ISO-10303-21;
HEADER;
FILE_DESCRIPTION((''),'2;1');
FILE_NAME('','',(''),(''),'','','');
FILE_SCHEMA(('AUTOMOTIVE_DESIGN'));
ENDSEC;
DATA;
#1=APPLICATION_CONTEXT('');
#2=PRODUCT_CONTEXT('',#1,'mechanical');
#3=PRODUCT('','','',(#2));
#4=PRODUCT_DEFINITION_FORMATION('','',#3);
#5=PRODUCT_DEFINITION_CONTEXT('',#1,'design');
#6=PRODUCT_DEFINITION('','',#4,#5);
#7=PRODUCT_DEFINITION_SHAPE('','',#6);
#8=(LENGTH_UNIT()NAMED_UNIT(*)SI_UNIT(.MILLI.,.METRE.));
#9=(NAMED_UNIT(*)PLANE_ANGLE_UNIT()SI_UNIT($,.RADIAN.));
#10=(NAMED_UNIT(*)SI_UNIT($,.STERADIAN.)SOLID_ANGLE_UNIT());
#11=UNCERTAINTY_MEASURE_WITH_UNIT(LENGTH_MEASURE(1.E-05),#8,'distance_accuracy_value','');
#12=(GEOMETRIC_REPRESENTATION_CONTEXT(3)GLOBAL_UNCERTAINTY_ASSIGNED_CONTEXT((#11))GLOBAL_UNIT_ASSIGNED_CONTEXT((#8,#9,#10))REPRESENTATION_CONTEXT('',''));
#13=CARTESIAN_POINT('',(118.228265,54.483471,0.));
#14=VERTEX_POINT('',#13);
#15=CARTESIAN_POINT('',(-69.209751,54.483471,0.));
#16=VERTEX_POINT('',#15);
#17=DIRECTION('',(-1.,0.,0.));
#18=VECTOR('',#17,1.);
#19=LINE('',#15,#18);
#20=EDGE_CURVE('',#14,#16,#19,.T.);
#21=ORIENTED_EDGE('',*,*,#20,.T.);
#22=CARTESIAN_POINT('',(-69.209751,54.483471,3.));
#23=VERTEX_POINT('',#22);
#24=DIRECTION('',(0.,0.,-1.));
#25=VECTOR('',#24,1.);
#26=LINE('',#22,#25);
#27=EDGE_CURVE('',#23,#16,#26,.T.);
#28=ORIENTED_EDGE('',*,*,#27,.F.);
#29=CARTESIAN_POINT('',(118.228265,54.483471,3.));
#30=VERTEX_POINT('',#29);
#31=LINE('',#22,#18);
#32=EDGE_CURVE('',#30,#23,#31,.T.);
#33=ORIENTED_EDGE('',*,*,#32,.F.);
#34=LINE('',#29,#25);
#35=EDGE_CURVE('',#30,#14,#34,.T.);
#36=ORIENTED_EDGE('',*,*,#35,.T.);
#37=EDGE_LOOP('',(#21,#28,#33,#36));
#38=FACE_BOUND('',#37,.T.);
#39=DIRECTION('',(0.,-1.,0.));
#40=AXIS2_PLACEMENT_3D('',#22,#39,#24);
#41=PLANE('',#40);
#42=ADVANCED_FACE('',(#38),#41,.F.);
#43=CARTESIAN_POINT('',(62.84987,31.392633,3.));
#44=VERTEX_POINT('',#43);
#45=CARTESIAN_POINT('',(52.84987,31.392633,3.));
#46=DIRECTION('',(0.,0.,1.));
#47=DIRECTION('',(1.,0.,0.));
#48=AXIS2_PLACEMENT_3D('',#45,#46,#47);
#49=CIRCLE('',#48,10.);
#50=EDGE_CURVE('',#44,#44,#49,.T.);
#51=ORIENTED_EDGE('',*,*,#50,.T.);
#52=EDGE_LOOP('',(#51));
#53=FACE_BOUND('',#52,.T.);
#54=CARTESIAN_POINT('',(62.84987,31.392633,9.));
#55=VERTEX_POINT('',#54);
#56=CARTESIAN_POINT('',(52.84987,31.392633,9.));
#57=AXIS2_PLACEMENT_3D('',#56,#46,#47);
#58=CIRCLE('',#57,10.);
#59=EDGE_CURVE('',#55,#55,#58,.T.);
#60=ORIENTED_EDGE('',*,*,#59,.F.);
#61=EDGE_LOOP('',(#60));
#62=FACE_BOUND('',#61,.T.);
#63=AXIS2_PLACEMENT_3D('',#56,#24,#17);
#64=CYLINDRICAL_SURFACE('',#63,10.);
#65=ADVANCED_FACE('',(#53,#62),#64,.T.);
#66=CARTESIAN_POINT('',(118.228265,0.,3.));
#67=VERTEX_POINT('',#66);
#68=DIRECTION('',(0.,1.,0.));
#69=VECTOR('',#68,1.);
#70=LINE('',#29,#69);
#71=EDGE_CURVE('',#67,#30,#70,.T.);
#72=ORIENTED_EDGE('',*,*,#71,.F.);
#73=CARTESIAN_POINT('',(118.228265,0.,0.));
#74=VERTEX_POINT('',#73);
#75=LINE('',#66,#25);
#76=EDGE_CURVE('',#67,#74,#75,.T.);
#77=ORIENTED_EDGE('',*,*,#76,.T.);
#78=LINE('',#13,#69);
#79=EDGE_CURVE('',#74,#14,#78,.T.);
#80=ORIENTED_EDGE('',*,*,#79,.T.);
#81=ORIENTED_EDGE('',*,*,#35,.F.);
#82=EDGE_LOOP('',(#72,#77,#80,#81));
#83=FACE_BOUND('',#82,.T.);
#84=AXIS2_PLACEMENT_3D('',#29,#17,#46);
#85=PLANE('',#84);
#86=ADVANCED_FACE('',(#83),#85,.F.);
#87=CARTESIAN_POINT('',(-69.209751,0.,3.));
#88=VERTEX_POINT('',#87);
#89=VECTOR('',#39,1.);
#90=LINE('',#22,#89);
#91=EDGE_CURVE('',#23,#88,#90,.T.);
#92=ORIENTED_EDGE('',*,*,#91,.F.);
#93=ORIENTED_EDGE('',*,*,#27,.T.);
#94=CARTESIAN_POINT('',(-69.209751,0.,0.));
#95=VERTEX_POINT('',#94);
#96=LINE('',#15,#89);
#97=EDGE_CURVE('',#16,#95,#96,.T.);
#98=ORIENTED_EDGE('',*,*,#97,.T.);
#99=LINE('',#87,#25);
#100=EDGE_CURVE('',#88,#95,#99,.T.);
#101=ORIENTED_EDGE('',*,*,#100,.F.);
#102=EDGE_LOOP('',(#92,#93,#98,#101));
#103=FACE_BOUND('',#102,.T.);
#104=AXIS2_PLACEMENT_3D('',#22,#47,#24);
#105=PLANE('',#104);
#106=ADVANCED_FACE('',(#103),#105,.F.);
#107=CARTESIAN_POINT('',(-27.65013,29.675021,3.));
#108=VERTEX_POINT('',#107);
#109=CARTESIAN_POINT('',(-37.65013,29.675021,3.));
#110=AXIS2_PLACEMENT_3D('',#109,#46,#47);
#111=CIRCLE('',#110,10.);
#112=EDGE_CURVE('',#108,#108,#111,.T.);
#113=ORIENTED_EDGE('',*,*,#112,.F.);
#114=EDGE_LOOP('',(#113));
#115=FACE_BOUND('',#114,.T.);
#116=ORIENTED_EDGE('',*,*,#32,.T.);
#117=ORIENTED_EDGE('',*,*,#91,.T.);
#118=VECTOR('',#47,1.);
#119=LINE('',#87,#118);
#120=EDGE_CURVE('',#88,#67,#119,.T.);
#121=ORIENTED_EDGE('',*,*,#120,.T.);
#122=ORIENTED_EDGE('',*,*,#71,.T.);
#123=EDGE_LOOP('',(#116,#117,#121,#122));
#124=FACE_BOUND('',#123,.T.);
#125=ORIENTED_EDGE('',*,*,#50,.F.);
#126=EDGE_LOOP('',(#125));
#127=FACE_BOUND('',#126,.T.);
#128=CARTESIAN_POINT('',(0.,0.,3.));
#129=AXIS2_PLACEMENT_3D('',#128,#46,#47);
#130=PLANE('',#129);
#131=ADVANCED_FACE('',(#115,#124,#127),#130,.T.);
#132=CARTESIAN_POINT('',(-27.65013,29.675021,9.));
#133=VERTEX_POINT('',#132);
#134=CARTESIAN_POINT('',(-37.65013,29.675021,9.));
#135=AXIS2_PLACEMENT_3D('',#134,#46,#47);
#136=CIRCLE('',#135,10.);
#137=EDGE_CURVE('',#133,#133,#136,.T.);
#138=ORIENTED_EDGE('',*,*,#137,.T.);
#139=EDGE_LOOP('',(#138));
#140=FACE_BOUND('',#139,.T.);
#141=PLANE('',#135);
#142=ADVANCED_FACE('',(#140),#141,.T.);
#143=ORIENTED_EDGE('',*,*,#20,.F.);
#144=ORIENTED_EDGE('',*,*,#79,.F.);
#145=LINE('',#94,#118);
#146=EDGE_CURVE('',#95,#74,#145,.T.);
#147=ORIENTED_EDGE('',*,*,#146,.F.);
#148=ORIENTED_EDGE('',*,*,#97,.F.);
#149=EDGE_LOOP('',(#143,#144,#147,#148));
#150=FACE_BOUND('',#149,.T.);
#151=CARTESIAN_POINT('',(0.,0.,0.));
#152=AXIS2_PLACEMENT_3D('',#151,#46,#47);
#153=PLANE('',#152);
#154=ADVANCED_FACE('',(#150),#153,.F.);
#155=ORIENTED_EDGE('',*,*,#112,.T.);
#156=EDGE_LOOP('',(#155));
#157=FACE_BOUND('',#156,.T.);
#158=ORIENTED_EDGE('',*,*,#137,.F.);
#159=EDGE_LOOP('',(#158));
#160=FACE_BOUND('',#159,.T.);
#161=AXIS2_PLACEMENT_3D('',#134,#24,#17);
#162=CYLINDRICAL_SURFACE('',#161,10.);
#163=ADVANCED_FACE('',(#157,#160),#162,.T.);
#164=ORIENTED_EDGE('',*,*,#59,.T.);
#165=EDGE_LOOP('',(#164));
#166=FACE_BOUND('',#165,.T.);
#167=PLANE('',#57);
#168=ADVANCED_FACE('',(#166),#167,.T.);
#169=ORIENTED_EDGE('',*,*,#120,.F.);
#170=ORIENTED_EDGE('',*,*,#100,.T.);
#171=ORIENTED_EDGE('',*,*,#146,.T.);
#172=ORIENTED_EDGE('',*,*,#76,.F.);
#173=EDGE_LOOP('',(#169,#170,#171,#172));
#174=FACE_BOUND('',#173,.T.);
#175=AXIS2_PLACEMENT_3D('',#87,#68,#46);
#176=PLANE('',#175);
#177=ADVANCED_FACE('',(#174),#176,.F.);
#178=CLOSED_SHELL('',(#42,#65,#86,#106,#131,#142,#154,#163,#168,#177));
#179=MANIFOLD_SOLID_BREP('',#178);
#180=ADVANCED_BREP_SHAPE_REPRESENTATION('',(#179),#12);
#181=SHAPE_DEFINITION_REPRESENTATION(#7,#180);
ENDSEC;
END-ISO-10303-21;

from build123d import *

# Parameters (mm, degrees)
SKETCH1_W           = 187.438016529
SKETCH1_H           = 54.483471074
BOSS_EXTRUDE1_DEPTH = 3
SKETCH2_R           = 10
BOSS_EXTRUDE2_DEPTH = 6


with BuildPart() as part:
    # Sketch1 → Boss-Extrude1 (new body)
    with BuildSketch(Plane.XY):
        with Locations((24.509256976, 27.241735537)):
            Rectangle(SKETCH1_W, SKETCH1_H)
    extrude(amount=BOSS_EXTRUDE1_DEPTH)

    # Sketch2 → Boss-Extrude2 (add)
    with BuildSketch(Plane.XY.offset(3)):
        with Locations((-37.650129612, 29.675020527)):
            Circle(SKETCH2_R)
        with Locations((52.849870388, 31.392633461)):
            Circle(SKETCH2_R)
    extrude(amount=BOSS_EXTRUDE2_DEPTH)


solid = part.part
